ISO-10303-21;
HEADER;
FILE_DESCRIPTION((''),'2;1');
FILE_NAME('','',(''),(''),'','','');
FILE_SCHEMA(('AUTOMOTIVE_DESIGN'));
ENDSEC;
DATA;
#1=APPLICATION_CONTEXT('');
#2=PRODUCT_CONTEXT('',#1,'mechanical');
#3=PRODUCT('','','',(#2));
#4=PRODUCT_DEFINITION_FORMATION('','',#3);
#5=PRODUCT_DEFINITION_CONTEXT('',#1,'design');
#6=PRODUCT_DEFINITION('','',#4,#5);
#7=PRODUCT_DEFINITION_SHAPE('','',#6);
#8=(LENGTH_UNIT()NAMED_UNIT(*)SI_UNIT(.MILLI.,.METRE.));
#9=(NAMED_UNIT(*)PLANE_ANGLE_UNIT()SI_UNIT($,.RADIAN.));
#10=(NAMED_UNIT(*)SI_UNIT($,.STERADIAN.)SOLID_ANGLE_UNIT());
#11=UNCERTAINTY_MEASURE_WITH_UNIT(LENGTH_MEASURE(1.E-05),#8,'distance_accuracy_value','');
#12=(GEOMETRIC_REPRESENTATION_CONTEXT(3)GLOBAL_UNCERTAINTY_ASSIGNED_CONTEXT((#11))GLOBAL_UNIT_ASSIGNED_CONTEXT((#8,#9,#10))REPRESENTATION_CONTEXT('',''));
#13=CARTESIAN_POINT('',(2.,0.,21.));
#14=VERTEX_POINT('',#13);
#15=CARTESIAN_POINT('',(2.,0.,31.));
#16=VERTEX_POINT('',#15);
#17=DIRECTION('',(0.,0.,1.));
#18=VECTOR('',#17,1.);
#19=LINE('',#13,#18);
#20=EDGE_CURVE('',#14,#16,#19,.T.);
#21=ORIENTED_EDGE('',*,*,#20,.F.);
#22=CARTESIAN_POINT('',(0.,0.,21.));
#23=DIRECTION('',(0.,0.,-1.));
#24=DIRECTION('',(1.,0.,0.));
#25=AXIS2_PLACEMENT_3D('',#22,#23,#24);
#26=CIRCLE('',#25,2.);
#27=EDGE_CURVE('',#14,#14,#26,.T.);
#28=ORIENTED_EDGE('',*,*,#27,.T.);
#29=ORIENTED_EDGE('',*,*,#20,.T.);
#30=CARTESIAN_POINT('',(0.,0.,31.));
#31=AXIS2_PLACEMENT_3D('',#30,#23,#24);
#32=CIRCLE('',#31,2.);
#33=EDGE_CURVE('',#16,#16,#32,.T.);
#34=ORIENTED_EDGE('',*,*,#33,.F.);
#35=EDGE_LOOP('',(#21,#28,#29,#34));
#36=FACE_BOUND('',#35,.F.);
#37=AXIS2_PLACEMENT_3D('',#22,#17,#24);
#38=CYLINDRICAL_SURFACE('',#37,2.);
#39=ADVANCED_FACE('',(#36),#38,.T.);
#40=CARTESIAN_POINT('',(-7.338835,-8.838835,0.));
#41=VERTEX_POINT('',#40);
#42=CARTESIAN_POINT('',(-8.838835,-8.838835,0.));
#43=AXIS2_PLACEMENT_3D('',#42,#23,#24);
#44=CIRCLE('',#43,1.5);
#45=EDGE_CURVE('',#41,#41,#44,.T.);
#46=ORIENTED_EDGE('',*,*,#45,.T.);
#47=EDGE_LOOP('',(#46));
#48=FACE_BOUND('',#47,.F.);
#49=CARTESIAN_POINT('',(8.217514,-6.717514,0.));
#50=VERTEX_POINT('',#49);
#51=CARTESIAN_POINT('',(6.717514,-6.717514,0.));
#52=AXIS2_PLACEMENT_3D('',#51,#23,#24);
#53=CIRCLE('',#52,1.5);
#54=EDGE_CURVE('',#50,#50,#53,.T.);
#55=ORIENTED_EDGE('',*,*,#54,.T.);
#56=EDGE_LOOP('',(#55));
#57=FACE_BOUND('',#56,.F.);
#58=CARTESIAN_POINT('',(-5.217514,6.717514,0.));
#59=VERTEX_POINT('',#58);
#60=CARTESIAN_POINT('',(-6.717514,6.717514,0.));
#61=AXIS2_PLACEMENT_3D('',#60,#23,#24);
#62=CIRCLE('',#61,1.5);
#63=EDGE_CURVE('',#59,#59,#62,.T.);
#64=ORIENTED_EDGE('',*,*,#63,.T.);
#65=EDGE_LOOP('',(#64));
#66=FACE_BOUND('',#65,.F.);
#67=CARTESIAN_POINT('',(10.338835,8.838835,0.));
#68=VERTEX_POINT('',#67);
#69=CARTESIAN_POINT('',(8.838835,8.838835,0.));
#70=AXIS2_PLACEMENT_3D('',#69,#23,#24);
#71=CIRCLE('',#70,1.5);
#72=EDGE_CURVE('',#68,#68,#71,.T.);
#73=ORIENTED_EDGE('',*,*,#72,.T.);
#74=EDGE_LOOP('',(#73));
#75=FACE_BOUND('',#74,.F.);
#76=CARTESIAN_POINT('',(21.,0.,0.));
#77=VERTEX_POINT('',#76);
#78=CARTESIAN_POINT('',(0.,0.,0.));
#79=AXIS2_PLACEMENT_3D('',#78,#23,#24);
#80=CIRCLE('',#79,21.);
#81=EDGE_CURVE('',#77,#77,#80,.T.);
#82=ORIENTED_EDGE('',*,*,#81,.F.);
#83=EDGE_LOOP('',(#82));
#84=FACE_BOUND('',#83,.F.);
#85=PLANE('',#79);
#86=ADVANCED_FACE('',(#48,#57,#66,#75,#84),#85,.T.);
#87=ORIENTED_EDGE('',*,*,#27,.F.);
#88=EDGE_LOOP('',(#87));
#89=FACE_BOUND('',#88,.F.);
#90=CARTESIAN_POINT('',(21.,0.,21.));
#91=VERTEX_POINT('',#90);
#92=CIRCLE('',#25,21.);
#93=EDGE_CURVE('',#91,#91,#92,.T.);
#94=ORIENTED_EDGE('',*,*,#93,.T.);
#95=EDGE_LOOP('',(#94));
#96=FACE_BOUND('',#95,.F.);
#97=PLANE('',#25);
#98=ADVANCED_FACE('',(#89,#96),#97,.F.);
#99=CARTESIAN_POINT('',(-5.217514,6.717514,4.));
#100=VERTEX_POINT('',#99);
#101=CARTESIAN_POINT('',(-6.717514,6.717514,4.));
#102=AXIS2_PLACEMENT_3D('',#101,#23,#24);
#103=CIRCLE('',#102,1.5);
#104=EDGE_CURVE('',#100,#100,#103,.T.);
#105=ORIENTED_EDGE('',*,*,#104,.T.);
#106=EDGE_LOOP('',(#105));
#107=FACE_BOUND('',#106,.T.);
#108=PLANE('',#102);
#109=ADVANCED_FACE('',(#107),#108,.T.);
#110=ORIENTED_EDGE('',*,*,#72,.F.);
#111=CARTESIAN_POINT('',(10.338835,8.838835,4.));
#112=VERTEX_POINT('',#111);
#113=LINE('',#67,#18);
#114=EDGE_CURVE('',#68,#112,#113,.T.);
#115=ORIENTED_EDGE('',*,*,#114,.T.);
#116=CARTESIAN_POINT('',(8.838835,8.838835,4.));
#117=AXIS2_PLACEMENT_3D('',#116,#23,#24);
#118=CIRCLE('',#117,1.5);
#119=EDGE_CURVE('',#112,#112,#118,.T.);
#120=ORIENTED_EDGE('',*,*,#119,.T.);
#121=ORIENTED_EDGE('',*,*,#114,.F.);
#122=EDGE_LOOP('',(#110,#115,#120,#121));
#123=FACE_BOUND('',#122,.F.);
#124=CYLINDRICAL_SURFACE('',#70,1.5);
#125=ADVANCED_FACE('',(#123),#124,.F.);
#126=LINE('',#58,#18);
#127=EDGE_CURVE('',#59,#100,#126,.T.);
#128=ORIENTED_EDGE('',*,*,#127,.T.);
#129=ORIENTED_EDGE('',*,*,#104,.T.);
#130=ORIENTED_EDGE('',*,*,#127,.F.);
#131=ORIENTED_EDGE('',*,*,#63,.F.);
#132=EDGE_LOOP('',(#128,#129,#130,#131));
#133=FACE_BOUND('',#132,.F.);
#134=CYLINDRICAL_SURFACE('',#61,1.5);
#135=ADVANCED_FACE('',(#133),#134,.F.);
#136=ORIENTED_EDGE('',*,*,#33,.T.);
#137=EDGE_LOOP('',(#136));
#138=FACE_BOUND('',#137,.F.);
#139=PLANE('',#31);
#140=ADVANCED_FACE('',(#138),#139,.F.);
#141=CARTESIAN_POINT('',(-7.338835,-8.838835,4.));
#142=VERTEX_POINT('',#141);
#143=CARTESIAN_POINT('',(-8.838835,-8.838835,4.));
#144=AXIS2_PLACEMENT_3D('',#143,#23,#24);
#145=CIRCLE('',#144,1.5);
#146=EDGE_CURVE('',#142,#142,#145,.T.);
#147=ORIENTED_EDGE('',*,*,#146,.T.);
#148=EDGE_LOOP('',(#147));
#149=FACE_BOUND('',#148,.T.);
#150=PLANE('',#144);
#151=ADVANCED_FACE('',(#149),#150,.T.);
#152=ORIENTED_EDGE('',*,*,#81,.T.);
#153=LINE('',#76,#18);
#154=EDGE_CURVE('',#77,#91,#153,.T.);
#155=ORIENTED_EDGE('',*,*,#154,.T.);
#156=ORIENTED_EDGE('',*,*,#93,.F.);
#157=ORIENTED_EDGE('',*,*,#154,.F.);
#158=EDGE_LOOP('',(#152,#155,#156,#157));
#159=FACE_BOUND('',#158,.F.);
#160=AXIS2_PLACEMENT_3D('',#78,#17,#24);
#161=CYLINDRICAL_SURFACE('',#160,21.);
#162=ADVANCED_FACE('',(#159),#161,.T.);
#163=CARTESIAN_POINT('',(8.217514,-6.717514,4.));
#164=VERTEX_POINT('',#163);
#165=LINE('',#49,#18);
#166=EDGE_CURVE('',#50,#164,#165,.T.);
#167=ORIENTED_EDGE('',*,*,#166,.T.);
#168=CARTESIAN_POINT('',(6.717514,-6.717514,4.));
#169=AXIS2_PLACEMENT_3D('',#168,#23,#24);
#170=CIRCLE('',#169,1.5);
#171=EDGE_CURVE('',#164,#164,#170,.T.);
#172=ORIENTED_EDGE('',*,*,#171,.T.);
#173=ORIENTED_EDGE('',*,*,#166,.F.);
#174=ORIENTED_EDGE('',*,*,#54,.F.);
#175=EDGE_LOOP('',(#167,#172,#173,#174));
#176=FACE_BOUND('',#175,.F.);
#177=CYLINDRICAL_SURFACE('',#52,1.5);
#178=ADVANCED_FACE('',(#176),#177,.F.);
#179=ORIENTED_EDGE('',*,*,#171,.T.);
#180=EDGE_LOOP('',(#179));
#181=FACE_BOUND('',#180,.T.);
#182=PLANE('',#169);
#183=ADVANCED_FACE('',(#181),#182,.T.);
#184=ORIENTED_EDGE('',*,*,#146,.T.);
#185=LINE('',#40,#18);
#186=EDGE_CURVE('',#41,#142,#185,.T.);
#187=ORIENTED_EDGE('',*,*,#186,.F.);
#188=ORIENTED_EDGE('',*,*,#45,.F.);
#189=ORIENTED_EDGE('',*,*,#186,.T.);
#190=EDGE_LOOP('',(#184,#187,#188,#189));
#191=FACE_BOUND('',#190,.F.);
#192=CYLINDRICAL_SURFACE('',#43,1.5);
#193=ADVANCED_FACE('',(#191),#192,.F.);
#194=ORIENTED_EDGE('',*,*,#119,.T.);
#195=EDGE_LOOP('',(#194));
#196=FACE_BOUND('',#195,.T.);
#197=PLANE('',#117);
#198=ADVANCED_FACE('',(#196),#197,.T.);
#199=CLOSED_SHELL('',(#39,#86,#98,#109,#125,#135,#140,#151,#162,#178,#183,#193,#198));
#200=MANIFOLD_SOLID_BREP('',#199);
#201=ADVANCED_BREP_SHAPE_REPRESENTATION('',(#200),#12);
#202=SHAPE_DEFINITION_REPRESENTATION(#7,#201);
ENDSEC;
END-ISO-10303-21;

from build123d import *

# Parameters (mm, degrees)
F2_R     = 1.5
F3_DEPTH = 4


with BuildPart() as f1:
    # F0 (on Front) → F1 (revolve)
    with BuildSketch(Plane.XZ):
        Polygon((0, 31), (0, 0), (21, 0), (21, 21), (2, 21), (2, 31), align=None)
    revolve(axis=Axis((0, 0, 15.5), (0, 0, -1)))

    # F2 (on face) → F3 (cut)
    with BuildSketch(Plane(origin=(0, 0, 0), x_dir=(1, 0, 0), z_dir=(0, 0, -1))):
        with Locations((-6.717514, -6.717514)):
            Circle(F2_R)
        with Locations((-8.838835, 8.838835)):
            Circle(F2_R)
        with Locations((6.717514, 6.717514)):
            Circle(F2_R)
        with Locations((8.838835, -8.838835)):
            Circle(F2_R)
    extrude(amount=-F3_DEPTH, mode=Mode.SUBTRACT)


solid = f1.part
